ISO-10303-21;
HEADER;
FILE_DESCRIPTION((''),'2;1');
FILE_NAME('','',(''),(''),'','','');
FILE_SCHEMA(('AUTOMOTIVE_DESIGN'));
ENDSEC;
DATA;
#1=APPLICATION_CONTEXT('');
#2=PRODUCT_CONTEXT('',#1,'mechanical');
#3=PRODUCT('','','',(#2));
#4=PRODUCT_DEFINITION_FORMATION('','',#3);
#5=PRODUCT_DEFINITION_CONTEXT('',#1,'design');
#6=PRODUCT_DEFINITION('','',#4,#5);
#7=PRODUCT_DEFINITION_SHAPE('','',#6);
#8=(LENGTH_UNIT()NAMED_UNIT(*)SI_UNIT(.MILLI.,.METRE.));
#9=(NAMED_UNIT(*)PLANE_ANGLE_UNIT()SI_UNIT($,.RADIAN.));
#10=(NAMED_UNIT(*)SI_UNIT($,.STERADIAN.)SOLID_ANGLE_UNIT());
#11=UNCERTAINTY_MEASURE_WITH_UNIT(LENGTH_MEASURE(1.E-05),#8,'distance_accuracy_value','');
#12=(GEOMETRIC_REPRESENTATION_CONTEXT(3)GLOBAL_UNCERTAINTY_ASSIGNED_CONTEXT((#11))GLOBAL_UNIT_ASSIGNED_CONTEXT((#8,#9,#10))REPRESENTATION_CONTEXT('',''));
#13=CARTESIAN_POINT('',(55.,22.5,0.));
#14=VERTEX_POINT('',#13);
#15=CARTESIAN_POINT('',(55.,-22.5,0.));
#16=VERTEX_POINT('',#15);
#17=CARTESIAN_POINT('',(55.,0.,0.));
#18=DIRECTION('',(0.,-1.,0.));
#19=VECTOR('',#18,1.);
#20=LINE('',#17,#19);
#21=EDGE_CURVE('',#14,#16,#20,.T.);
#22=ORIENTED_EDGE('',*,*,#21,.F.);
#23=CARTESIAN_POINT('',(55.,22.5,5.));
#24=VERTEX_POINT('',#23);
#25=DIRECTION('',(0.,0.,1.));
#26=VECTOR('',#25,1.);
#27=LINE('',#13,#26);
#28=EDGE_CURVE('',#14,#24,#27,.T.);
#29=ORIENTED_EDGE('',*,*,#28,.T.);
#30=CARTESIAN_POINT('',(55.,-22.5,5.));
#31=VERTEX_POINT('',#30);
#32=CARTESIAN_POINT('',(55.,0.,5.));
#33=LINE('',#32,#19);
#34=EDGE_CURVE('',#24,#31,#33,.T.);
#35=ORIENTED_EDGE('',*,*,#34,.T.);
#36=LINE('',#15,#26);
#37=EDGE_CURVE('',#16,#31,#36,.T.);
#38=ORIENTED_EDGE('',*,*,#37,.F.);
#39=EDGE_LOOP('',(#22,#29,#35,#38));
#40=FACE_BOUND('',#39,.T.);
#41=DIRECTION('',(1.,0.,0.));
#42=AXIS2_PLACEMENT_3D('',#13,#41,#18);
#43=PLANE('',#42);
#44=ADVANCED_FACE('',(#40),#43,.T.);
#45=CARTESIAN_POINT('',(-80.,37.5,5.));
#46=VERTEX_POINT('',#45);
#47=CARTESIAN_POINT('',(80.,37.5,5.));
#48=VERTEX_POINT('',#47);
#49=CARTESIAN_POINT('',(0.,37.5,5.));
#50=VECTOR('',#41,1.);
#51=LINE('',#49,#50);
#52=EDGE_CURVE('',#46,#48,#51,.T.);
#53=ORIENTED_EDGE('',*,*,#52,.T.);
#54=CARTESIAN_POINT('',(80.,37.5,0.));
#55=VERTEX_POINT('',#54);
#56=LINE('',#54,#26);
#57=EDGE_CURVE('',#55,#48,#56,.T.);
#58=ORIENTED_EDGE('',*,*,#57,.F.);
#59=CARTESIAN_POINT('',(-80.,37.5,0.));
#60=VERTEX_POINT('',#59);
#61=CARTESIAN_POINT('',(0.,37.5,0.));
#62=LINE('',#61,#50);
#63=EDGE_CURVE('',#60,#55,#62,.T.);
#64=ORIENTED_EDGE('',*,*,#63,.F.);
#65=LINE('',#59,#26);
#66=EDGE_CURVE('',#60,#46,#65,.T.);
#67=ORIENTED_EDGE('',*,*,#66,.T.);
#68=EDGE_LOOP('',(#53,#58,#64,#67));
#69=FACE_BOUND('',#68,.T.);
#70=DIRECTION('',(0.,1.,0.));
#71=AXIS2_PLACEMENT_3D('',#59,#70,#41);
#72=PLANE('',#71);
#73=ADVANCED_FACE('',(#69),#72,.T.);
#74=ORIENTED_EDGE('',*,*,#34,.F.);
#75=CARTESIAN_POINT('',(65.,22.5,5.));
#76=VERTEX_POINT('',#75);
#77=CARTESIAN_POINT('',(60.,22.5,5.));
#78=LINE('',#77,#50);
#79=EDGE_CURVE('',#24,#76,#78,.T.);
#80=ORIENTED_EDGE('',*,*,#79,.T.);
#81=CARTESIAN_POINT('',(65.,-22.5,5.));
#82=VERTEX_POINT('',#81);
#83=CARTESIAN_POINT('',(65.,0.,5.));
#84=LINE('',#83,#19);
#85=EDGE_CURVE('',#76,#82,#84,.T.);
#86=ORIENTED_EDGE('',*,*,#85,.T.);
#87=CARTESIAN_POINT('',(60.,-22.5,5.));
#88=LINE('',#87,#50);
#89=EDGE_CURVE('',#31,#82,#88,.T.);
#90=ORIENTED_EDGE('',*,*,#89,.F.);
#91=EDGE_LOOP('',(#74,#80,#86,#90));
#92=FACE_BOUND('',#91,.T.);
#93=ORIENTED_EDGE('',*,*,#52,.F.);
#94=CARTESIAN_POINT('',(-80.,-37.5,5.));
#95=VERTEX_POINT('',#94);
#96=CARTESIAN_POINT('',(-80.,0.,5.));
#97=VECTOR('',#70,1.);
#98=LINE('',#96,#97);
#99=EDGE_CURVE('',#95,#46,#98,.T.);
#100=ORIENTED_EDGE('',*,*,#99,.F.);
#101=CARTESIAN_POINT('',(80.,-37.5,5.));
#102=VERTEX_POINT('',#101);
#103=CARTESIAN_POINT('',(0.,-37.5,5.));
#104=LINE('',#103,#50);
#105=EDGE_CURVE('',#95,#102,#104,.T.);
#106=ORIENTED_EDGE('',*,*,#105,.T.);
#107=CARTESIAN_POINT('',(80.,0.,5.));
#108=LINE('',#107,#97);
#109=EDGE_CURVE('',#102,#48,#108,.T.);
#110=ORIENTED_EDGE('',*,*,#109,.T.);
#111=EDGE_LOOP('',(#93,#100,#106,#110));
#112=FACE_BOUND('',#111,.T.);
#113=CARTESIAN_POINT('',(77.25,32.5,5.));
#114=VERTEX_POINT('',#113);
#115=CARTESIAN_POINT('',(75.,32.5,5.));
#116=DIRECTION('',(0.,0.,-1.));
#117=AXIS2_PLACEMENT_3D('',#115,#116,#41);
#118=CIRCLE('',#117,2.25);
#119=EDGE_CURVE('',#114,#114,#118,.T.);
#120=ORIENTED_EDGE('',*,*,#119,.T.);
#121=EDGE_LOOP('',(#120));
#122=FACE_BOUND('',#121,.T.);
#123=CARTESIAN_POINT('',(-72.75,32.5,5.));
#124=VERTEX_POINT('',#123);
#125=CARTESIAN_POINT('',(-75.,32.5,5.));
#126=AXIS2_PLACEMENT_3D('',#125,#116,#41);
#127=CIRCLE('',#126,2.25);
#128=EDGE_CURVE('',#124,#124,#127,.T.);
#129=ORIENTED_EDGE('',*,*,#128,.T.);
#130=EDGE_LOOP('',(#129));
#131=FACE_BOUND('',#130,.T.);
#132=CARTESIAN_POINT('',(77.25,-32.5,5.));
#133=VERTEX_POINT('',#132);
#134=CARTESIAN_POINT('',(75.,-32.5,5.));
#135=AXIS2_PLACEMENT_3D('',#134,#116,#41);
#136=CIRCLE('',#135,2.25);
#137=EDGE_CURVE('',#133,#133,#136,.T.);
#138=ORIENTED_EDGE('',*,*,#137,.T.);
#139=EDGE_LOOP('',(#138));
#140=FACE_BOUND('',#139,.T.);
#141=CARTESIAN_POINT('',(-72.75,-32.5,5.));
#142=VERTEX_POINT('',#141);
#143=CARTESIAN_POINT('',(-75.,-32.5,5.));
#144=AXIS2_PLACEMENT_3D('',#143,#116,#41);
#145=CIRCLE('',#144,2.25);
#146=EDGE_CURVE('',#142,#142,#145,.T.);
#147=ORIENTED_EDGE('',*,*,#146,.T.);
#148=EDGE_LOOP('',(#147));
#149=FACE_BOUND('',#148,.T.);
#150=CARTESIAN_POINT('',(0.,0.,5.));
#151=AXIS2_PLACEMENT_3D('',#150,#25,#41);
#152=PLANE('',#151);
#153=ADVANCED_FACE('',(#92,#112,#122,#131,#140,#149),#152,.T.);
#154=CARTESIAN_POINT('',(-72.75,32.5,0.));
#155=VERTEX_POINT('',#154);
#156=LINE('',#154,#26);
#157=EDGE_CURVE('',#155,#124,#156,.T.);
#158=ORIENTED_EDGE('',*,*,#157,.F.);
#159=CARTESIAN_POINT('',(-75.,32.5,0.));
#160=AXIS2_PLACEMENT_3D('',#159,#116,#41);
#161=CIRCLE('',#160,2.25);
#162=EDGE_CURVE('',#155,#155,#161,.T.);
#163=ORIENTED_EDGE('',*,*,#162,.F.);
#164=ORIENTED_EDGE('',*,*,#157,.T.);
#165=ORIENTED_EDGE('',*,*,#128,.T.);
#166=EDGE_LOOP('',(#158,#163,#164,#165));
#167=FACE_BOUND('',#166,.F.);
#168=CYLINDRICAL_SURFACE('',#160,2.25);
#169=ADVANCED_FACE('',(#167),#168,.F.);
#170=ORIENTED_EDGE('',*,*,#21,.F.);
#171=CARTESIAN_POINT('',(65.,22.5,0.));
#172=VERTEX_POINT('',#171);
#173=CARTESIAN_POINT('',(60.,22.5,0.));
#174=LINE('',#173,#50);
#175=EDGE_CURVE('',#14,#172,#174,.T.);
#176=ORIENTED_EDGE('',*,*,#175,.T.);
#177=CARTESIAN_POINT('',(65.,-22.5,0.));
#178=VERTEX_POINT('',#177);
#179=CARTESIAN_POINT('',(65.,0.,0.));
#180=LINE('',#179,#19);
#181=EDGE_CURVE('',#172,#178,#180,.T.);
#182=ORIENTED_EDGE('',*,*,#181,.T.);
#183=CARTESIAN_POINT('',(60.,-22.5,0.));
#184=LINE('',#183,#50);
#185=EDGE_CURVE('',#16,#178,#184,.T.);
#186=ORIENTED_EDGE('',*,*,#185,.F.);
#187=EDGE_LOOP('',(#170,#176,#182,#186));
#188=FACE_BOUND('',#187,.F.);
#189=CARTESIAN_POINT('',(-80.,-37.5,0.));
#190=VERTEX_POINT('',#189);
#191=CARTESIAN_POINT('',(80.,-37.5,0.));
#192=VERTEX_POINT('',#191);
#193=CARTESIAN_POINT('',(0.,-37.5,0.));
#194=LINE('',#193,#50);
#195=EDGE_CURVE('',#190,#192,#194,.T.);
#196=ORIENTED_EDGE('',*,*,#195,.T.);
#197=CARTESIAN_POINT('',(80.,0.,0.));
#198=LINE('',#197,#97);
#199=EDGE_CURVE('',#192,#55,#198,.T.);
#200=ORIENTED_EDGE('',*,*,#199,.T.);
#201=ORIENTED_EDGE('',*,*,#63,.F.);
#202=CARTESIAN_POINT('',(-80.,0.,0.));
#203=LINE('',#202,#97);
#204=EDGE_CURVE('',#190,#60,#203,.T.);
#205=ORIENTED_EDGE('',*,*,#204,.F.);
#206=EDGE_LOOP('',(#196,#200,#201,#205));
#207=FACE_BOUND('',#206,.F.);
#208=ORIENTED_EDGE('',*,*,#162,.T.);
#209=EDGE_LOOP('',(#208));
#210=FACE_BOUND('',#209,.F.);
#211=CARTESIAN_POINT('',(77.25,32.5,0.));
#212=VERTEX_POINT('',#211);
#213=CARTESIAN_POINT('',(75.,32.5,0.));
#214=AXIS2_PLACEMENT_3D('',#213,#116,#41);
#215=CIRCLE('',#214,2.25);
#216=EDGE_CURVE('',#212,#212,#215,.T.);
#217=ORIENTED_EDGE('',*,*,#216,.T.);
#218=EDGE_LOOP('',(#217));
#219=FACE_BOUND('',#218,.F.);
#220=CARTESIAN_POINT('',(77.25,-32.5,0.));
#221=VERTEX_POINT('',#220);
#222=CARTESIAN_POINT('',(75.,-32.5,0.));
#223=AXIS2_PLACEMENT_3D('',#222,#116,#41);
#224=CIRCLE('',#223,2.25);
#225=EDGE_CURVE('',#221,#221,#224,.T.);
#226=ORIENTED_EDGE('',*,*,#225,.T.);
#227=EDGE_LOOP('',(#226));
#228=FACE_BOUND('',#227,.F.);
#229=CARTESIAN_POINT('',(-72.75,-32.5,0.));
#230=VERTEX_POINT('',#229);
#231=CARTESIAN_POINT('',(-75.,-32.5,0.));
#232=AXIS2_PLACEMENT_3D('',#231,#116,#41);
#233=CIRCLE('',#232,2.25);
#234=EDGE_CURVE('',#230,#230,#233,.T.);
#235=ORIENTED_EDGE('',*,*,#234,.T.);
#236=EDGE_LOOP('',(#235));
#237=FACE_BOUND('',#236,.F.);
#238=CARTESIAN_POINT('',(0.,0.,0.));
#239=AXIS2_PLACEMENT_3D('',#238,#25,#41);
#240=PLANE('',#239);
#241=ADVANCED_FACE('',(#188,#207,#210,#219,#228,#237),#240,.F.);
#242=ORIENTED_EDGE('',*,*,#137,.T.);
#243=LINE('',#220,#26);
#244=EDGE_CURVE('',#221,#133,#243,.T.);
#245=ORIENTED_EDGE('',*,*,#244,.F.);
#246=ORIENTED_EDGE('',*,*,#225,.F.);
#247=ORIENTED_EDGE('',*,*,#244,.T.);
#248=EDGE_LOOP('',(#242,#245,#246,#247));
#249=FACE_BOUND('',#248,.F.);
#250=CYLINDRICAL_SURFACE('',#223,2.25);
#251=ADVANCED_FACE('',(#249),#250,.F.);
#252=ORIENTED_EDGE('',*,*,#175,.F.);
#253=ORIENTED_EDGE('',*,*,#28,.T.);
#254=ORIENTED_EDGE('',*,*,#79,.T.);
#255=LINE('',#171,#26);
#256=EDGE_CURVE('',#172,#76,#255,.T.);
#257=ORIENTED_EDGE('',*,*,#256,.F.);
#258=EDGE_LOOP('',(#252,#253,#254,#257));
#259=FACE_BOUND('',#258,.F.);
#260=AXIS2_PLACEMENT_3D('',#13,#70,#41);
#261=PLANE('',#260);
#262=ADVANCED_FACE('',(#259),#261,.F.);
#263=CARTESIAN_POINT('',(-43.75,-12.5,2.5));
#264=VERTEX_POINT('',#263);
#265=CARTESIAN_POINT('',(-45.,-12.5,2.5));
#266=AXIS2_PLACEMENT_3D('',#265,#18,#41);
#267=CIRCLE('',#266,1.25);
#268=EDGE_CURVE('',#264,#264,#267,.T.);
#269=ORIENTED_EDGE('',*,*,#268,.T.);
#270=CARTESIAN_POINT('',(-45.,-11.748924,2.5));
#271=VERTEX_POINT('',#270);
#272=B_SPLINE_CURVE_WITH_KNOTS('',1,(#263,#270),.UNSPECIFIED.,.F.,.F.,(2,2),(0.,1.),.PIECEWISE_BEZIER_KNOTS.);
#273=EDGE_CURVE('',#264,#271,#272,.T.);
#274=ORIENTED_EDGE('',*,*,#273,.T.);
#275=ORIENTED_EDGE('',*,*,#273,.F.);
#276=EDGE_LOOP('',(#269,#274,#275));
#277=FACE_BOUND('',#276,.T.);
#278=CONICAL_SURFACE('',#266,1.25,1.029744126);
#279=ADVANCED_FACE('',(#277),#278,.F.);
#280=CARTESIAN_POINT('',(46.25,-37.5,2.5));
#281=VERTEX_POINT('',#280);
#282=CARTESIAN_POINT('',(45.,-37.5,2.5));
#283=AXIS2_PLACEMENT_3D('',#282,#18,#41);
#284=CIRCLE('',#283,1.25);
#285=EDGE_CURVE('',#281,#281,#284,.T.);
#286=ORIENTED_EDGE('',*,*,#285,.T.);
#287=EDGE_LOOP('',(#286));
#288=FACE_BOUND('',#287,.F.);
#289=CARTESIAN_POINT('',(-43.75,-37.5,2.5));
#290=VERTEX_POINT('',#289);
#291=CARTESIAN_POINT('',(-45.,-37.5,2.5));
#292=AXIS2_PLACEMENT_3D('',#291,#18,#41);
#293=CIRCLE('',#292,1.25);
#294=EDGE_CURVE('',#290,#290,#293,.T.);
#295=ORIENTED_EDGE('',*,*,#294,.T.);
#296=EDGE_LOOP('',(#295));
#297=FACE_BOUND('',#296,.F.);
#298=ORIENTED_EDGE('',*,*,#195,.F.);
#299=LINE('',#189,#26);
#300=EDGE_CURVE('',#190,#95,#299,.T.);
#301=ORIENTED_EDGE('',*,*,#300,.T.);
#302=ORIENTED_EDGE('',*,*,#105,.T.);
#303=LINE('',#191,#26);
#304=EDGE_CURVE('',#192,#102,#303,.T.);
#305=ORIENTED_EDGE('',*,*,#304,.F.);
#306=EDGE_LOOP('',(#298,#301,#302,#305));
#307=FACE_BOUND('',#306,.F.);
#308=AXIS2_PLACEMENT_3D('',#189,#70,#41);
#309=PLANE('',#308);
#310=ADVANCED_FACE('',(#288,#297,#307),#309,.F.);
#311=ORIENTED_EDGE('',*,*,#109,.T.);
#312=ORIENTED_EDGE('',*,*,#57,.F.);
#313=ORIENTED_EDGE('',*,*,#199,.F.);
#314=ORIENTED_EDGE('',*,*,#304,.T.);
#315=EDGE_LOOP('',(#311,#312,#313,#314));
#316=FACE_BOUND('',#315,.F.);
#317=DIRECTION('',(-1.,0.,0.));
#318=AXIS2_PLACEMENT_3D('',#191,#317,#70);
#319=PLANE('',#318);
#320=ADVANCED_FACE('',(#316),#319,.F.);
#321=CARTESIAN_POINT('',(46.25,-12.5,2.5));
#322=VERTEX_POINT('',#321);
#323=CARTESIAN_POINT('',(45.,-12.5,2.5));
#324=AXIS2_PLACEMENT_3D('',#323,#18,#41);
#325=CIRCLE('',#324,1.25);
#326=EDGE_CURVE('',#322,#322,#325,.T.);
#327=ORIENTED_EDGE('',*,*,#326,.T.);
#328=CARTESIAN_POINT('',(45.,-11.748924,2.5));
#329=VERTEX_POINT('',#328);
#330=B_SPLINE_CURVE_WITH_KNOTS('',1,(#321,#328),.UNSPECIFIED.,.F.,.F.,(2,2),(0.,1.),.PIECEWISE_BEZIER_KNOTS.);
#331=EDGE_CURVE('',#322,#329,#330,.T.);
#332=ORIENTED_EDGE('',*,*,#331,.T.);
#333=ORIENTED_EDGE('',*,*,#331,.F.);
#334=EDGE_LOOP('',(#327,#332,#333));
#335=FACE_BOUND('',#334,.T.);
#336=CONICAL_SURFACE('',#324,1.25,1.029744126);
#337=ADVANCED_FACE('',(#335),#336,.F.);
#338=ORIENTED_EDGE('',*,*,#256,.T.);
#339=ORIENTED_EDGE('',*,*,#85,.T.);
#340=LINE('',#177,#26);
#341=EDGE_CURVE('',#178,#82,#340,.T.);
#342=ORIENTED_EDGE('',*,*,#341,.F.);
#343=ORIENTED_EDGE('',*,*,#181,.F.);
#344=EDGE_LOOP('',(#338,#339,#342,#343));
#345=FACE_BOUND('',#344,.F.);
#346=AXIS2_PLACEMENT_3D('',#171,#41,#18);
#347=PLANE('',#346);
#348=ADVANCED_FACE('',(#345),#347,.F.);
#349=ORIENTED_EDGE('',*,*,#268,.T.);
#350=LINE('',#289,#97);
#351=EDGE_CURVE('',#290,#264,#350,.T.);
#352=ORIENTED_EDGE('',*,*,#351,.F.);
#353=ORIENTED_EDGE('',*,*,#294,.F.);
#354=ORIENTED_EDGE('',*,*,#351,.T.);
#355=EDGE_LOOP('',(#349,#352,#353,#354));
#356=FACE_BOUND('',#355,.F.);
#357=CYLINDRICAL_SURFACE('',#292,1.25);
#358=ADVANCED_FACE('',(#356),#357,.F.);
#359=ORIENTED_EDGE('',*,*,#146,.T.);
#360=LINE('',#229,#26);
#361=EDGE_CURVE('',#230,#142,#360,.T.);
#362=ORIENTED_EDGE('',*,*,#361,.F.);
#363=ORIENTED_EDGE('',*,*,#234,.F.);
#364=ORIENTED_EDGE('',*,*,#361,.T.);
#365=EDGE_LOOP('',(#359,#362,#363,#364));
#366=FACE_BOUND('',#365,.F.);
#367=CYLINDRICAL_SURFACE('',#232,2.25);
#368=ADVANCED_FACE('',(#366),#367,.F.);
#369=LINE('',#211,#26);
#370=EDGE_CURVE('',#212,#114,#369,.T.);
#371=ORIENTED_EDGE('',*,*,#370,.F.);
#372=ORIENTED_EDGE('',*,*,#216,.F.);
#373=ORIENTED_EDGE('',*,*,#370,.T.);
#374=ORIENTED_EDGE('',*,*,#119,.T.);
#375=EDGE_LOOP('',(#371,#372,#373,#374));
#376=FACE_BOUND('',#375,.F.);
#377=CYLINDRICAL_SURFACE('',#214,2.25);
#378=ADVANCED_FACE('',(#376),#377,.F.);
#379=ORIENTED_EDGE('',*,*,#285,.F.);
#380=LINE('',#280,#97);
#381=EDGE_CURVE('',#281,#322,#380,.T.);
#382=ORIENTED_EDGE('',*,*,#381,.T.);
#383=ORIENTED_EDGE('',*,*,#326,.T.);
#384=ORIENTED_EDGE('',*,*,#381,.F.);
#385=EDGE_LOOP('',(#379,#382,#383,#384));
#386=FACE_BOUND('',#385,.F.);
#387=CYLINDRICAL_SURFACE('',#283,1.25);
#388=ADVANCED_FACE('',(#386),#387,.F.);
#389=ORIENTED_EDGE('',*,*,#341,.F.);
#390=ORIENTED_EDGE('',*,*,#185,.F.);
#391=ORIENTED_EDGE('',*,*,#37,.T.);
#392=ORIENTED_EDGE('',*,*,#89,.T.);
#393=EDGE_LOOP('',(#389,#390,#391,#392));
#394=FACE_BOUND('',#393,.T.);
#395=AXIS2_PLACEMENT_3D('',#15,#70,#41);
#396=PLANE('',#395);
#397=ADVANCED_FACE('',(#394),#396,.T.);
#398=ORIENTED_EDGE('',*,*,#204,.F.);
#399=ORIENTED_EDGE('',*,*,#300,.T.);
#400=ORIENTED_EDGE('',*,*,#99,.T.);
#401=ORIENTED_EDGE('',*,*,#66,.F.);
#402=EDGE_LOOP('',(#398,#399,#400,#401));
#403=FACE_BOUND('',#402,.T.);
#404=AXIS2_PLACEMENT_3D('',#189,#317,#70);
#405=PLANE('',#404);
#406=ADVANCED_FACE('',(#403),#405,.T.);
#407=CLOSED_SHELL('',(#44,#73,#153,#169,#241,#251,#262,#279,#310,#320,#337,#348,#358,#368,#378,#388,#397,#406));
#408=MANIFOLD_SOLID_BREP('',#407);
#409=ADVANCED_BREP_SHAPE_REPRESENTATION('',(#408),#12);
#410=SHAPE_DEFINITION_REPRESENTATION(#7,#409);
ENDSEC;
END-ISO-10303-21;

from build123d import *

# Parameters (mm, degrees)
SKETCH_W       = 160
SKETCH_H       = 75
PAD_DEPTH      = 5
SKETCH001_R    = 2.25
HOLE_DEPTH     = 5.001
SKETCH002_R    = 1.25
HOLE001_DEPTH  = 25
HOLE001_TIPS_R = 1.25
SKETCH003_W    = 10
SKETCH003_H    = 45
POCKET_DEPTH   = 5


with BuildPart() as part:
    # Sketch → Pad (new body)
    with BuildSketch(Plane.XY):
        Rectangle(SKETCH_W, SKETCH_H)
    extrude(amount=PAD_DEPTH)

    # Sketch001 (on Face5 of Pad) → Hole (cut, through all)
    with BuildSketch(Plane(origin=(0, 0, 0), x_dir=(1, 0, 0), z_dir=(0, 0, -1))):
        with Locations((-75, 32.5)):
            Circle(SKETCH001_R)
        with Locations((75, 32.5)):
            Circle(SKETCH001_R)
        with Locations((75, -32.5)):
            Circle(SKETCH001_R)
        with Locations((-75, -32.5)):
            Circle(SKETCH001_R)
    extrude(amount=-HOLE_DEPTH, mode=Mode.SUBTRACT)

    # Sketch002 (on Face6 of Hole) → Hole001 (cut)
    with BuildSketch(Plane.XZ.offset(37.5)):
        with Locations((-45, 2.5)):
            Circle(SKETCH002_R)
        with Locations((45, 2.5)):
            Circle(SKETCH002_R)
    extrude(amount=-HOLE001_DEPTH, mode=Mode.SUBTRACT)

    # Hole001 tips → Hole001 tip 1 section 0
    with BuildSketch(Plane.XZ.offset(12.5), mode=Mode.PRIVATE) as hole001_tip_1_s0:
        with Locations((-45, 2.5)):
            Circle(HOLE001_TIPS_R)
    loft([hole001_tip_1_s0.sketch, Vertex(-45, -11.748924, 2.5)], mode=Mode.SUBTRACT)

    # Hole001 tips → Hole001 tip 2 section 0
    with BuildSketch(Plane.XZ.offset(12.5), mode=Mode.PRIVATE) as hole001_tip_2_s0:
        with Locations((45, 2.5)):
            Circle(HOLE001_TIPS_R)
    loft([hole001_tip_2_s0.sketch, Vertex(45, -11.748924, 2.5)], mode=Mode.SUBTRACT)

    # Sketch003 (on Face4 of Hole001) → Pocket (cut)
    with BuildSketch(Plane(origin=(0, 0, 0), x_dir=(1, 0, 0), z_dir=(0, 0, -1))):
        with Locations((60, 0)):
            Rectangle(SKETCH003_W, SKETCH003_H)
    extrude(amount=-POCKET_DEPTH, mode=Mode.SUBTRACT)


solid = part.part
